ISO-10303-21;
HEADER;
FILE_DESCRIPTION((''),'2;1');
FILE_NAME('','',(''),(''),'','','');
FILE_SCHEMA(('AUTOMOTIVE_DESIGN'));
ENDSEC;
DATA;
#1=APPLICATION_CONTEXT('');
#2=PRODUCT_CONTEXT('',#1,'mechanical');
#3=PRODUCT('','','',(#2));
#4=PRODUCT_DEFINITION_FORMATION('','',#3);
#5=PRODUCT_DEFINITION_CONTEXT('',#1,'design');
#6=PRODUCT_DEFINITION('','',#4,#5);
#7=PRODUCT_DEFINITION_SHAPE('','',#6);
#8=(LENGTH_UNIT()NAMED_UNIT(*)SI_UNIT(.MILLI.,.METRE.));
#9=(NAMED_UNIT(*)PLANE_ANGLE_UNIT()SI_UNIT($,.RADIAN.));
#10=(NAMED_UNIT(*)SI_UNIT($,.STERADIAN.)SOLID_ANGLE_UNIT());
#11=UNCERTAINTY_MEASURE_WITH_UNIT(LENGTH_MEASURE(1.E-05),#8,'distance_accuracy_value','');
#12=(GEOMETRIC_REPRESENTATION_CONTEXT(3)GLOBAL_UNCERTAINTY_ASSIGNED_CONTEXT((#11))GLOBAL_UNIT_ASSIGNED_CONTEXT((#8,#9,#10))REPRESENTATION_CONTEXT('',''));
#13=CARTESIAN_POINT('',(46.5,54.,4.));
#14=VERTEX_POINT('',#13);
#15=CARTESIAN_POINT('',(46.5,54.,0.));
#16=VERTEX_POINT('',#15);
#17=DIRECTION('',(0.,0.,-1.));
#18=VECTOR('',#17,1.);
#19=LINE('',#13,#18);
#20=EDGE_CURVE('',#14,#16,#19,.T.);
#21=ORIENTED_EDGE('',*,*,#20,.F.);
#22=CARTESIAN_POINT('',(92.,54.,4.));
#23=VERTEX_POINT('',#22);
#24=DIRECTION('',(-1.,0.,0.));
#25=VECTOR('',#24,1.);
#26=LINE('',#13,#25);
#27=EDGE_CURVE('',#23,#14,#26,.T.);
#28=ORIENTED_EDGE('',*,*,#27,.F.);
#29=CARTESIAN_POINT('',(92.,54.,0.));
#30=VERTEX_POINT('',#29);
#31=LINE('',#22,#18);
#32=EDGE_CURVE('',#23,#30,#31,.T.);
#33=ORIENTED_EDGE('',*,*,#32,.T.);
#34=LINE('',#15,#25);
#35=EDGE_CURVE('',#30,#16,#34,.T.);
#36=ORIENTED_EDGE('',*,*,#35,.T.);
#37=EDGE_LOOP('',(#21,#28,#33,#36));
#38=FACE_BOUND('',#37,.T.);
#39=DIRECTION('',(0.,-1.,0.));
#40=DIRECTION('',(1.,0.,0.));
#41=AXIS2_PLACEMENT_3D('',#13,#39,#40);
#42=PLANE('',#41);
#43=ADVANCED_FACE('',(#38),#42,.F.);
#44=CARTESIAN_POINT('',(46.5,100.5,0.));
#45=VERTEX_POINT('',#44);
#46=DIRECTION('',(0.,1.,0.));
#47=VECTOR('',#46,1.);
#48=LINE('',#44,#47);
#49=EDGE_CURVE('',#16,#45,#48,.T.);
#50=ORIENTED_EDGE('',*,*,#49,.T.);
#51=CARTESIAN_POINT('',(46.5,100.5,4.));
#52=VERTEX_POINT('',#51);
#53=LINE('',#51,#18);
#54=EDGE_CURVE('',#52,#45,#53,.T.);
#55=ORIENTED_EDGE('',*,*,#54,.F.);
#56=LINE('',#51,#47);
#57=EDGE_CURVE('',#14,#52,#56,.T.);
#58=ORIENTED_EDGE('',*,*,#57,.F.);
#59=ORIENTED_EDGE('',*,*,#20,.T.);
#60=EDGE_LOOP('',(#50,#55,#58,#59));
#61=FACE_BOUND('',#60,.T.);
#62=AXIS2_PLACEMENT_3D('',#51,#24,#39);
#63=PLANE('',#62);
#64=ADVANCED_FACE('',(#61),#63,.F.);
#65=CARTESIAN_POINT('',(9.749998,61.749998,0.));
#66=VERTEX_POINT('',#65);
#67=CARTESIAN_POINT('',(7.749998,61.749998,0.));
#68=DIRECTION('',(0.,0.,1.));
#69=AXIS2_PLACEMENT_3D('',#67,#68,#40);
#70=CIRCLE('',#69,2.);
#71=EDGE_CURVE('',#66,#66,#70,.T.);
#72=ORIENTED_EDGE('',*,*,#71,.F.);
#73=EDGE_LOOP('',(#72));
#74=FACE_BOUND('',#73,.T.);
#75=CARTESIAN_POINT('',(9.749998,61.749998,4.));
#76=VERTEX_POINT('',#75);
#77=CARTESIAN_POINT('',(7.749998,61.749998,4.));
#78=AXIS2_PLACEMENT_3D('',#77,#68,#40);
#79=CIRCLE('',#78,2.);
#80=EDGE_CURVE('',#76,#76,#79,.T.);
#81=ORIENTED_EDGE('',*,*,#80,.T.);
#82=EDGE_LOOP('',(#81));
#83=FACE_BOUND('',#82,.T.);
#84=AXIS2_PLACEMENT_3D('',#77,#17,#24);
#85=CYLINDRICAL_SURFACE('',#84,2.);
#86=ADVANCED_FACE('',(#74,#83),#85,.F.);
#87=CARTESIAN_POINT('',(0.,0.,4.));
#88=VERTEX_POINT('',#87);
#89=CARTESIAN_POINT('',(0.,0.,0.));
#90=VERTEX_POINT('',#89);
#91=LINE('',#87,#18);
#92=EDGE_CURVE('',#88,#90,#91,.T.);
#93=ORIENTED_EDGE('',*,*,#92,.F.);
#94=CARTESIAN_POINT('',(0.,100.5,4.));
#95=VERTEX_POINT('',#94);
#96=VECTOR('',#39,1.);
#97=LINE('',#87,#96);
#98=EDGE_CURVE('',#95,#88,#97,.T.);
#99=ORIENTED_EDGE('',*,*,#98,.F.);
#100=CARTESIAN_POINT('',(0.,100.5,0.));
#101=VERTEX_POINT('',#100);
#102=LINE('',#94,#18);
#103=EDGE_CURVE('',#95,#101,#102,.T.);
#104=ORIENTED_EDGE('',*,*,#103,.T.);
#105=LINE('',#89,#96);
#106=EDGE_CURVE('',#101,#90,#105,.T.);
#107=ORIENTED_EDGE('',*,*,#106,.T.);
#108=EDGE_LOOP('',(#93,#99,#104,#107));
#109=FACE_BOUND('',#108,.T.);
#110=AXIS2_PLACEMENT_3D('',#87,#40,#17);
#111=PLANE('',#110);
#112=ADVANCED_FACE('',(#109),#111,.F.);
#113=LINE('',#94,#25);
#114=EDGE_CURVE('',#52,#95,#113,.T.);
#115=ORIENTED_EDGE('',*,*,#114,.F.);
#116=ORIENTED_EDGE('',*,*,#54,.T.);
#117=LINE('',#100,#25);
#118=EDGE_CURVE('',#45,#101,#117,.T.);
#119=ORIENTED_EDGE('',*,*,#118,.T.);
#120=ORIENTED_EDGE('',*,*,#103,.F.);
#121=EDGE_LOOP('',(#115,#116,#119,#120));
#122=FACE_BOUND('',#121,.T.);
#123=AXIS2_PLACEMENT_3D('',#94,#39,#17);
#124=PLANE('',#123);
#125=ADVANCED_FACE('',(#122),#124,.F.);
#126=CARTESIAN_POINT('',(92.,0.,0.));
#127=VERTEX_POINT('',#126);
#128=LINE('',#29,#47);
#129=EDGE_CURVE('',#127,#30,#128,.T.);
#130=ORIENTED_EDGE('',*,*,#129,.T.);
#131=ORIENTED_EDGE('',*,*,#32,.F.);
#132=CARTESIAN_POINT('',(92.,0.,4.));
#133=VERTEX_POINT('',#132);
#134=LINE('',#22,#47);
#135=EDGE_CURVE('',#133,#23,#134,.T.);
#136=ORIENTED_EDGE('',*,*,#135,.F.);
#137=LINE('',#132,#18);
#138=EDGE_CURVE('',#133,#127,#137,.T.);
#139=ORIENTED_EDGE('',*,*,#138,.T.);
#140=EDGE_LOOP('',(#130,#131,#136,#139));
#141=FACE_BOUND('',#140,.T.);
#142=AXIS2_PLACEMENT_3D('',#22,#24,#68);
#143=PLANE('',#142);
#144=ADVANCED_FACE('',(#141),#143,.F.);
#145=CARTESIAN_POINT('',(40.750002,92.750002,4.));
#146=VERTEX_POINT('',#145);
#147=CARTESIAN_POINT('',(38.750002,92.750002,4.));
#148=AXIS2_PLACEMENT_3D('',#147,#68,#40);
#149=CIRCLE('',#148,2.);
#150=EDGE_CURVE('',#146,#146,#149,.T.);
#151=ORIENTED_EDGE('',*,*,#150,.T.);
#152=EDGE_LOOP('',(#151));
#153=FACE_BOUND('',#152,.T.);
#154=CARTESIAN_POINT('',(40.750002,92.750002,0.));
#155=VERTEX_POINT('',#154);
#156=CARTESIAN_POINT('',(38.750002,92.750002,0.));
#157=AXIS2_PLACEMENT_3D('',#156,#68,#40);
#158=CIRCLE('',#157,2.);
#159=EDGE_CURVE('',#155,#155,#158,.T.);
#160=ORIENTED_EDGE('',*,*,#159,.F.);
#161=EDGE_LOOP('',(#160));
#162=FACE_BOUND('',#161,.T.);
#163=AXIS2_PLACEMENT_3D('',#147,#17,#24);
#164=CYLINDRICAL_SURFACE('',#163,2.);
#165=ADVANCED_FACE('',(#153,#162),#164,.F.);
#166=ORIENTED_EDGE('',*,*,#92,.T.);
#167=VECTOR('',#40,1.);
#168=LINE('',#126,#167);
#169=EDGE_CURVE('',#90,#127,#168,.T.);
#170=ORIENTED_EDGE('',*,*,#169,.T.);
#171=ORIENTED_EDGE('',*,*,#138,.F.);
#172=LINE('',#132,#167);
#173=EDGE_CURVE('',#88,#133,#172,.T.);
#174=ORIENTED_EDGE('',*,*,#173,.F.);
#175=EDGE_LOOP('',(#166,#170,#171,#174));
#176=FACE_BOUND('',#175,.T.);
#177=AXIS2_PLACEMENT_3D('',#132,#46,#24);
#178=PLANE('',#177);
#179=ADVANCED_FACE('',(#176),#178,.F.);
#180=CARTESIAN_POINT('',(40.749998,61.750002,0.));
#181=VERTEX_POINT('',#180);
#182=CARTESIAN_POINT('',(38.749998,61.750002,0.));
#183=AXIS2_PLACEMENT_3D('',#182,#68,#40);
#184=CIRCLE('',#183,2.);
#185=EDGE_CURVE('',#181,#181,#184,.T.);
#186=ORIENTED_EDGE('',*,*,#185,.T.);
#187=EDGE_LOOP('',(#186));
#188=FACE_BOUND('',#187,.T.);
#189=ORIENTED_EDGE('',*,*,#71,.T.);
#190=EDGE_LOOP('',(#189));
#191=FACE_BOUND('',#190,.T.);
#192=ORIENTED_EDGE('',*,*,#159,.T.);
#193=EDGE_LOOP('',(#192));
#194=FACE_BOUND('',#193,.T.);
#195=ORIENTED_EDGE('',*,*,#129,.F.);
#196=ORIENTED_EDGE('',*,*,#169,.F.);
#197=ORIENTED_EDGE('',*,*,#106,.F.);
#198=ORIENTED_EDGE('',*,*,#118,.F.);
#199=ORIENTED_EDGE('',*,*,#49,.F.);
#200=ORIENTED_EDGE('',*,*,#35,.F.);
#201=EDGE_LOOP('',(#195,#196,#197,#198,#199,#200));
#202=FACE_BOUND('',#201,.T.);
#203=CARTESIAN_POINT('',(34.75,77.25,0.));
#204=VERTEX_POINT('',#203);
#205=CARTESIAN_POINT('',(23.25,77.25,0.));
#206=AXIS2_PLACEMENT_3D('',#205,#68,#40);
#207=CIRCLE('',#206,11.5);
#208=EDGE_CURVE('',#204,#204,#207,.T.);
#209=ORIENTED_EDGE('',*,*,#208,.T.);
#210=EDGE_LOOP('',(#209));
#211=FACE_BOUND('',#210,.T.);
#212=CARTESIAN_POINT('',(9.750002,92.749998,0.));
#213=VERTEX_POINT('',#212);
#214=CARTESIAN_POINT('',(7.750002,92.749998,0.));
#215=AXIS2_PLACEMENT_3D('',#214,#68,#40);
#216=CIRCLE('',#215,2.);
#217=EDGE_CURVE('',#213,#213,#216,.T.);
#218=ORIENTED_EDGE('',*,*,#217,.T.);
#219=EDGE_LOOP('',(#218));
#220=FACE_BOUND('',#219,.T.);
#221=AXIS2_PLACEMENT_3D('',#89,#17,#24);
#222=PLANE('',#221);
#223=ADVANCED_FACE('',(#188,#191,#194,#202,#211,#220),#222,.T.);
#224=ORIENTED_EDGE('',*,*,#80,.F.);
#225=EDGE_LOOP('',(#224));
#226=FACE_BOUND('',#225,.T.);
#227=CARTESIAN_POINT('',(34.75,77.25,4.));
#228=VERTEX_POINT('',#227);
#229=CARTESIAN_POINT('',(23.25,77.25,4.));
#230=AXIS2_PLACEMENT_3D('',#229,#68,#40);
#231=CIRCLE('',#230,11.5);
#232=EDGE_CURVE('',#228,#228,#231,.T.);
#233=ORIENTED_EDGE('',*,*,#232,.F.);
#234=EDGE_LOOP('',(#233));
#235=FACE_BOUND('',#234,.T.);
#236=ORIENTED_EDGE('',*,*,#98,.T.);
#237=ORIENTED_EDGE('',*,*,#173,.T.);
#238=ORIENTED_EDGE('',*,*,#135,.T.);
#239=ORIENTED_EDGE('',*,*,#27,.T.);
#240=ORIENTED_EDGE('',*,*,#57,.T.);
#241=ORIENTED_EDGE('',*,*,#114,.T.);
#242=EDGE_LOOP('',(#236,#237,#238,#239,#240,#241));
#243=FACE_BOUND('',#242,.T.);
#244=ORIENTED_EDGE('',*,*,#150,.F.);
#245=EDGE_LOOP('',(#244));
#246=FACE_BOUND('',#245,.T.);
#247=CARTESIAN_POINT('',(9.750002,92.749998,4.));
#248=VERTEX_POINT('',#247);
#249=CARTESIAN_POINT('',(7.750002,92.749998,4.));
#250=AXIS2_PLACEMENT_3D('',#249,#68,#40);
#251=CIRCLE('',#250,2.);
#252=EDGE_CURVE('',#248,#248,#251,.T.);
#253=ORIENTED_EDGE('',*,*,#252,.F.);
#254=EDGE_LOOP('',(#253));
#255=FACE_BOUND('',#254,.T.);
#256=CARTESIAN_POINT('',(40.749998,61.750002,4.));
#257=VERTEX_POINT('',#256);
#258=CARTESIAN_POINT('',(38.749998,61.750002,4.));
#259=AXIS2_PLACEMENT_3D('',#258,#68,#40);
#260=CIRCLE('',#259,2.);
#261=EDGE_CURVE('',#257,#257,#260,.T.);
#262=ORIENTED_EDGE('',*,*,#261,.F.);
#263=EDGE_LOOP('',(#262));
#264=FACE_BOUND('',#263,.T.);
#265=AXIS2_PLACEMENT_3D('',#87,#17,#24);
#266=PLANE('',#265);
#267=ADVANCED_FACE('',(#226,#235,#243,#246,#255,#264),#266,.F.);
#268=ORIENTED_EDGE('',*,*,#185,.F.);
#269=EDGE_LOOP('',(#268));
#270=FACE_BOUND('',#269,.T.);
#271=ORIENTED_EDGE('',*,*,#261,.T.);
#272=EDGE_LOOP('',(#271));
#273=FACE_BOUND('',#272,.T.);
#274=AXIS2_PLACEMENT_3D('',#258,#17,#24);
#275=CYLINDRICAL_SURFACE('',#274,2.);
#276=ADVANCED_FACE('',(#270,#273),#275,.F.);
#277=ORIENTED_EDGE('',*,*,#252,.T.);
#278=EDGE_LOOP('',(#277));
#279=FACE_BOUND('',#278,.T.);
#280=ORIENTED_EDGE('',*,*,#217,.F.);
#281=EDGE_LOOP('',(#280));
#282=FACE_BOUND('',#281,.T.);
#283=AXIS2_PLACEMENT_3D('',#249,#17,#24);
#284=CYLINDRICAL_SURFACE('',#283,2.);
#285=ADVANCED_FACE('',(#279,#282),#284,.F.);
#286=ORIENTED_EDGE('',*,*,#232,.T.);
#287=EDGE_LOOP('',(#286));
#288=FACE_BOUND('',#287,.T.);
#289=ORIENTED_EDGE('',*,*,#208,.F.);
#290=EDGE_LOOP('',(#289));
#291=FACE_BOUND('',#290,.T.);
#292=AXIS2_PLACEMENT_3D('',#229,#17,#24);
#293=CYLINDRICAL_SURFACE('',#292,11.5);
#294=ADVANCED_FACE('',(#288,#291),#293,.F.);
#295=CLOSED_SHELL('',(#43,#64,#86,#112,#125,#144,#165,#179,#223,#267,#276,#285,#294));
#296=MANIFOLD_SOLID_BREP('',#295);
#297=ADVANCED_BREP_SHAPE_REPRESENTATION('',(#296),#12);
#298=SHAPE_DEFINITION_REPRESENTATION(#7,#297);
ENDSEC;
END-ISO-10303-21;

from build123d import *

# Parameters (mm, degrees)
SKETCH1_R           = 11.5
SKETCH1_R_2         = 2
BOSS_EXTRUDE1_DEPTH = 4


with BuildPart() as part:
    # Sketch1 → Boss-Extrude1 (new body)
    with BuildSketch(Plane.XY):
        Polygon((0, 0), (0, 100.5), (46.5, 100.5), (46.5, 54), (92, 54), (92, 0), align=None)
        with Locations((23.25, 77.25)):
            Circle(SKETCH1_R, mode=Mode.SUBTRACT)
        with Locations((7.750001854, 92.749998146)):
            Circle(SKETCH1_R_2, mode=Mode.SUBTRACT)
        with Locations((38.750001854, 92.750001854)):
            Circle(SKETCH1_R_2, mode=Mode.SUBTRACT)
        with Locations((38.749998146, 61.750001854)):
            Circle(SKETCH1_R_2, mode=Mode.SUBTRACT)
        with Locations((7.749998146, 61.749998146)):
            Circle(SKETCH1_R_2, mode=Mode.SUBTRACT)
    extrude(amount=BOSS_EXTRUDE1_DEPTH)


solid = part.part
